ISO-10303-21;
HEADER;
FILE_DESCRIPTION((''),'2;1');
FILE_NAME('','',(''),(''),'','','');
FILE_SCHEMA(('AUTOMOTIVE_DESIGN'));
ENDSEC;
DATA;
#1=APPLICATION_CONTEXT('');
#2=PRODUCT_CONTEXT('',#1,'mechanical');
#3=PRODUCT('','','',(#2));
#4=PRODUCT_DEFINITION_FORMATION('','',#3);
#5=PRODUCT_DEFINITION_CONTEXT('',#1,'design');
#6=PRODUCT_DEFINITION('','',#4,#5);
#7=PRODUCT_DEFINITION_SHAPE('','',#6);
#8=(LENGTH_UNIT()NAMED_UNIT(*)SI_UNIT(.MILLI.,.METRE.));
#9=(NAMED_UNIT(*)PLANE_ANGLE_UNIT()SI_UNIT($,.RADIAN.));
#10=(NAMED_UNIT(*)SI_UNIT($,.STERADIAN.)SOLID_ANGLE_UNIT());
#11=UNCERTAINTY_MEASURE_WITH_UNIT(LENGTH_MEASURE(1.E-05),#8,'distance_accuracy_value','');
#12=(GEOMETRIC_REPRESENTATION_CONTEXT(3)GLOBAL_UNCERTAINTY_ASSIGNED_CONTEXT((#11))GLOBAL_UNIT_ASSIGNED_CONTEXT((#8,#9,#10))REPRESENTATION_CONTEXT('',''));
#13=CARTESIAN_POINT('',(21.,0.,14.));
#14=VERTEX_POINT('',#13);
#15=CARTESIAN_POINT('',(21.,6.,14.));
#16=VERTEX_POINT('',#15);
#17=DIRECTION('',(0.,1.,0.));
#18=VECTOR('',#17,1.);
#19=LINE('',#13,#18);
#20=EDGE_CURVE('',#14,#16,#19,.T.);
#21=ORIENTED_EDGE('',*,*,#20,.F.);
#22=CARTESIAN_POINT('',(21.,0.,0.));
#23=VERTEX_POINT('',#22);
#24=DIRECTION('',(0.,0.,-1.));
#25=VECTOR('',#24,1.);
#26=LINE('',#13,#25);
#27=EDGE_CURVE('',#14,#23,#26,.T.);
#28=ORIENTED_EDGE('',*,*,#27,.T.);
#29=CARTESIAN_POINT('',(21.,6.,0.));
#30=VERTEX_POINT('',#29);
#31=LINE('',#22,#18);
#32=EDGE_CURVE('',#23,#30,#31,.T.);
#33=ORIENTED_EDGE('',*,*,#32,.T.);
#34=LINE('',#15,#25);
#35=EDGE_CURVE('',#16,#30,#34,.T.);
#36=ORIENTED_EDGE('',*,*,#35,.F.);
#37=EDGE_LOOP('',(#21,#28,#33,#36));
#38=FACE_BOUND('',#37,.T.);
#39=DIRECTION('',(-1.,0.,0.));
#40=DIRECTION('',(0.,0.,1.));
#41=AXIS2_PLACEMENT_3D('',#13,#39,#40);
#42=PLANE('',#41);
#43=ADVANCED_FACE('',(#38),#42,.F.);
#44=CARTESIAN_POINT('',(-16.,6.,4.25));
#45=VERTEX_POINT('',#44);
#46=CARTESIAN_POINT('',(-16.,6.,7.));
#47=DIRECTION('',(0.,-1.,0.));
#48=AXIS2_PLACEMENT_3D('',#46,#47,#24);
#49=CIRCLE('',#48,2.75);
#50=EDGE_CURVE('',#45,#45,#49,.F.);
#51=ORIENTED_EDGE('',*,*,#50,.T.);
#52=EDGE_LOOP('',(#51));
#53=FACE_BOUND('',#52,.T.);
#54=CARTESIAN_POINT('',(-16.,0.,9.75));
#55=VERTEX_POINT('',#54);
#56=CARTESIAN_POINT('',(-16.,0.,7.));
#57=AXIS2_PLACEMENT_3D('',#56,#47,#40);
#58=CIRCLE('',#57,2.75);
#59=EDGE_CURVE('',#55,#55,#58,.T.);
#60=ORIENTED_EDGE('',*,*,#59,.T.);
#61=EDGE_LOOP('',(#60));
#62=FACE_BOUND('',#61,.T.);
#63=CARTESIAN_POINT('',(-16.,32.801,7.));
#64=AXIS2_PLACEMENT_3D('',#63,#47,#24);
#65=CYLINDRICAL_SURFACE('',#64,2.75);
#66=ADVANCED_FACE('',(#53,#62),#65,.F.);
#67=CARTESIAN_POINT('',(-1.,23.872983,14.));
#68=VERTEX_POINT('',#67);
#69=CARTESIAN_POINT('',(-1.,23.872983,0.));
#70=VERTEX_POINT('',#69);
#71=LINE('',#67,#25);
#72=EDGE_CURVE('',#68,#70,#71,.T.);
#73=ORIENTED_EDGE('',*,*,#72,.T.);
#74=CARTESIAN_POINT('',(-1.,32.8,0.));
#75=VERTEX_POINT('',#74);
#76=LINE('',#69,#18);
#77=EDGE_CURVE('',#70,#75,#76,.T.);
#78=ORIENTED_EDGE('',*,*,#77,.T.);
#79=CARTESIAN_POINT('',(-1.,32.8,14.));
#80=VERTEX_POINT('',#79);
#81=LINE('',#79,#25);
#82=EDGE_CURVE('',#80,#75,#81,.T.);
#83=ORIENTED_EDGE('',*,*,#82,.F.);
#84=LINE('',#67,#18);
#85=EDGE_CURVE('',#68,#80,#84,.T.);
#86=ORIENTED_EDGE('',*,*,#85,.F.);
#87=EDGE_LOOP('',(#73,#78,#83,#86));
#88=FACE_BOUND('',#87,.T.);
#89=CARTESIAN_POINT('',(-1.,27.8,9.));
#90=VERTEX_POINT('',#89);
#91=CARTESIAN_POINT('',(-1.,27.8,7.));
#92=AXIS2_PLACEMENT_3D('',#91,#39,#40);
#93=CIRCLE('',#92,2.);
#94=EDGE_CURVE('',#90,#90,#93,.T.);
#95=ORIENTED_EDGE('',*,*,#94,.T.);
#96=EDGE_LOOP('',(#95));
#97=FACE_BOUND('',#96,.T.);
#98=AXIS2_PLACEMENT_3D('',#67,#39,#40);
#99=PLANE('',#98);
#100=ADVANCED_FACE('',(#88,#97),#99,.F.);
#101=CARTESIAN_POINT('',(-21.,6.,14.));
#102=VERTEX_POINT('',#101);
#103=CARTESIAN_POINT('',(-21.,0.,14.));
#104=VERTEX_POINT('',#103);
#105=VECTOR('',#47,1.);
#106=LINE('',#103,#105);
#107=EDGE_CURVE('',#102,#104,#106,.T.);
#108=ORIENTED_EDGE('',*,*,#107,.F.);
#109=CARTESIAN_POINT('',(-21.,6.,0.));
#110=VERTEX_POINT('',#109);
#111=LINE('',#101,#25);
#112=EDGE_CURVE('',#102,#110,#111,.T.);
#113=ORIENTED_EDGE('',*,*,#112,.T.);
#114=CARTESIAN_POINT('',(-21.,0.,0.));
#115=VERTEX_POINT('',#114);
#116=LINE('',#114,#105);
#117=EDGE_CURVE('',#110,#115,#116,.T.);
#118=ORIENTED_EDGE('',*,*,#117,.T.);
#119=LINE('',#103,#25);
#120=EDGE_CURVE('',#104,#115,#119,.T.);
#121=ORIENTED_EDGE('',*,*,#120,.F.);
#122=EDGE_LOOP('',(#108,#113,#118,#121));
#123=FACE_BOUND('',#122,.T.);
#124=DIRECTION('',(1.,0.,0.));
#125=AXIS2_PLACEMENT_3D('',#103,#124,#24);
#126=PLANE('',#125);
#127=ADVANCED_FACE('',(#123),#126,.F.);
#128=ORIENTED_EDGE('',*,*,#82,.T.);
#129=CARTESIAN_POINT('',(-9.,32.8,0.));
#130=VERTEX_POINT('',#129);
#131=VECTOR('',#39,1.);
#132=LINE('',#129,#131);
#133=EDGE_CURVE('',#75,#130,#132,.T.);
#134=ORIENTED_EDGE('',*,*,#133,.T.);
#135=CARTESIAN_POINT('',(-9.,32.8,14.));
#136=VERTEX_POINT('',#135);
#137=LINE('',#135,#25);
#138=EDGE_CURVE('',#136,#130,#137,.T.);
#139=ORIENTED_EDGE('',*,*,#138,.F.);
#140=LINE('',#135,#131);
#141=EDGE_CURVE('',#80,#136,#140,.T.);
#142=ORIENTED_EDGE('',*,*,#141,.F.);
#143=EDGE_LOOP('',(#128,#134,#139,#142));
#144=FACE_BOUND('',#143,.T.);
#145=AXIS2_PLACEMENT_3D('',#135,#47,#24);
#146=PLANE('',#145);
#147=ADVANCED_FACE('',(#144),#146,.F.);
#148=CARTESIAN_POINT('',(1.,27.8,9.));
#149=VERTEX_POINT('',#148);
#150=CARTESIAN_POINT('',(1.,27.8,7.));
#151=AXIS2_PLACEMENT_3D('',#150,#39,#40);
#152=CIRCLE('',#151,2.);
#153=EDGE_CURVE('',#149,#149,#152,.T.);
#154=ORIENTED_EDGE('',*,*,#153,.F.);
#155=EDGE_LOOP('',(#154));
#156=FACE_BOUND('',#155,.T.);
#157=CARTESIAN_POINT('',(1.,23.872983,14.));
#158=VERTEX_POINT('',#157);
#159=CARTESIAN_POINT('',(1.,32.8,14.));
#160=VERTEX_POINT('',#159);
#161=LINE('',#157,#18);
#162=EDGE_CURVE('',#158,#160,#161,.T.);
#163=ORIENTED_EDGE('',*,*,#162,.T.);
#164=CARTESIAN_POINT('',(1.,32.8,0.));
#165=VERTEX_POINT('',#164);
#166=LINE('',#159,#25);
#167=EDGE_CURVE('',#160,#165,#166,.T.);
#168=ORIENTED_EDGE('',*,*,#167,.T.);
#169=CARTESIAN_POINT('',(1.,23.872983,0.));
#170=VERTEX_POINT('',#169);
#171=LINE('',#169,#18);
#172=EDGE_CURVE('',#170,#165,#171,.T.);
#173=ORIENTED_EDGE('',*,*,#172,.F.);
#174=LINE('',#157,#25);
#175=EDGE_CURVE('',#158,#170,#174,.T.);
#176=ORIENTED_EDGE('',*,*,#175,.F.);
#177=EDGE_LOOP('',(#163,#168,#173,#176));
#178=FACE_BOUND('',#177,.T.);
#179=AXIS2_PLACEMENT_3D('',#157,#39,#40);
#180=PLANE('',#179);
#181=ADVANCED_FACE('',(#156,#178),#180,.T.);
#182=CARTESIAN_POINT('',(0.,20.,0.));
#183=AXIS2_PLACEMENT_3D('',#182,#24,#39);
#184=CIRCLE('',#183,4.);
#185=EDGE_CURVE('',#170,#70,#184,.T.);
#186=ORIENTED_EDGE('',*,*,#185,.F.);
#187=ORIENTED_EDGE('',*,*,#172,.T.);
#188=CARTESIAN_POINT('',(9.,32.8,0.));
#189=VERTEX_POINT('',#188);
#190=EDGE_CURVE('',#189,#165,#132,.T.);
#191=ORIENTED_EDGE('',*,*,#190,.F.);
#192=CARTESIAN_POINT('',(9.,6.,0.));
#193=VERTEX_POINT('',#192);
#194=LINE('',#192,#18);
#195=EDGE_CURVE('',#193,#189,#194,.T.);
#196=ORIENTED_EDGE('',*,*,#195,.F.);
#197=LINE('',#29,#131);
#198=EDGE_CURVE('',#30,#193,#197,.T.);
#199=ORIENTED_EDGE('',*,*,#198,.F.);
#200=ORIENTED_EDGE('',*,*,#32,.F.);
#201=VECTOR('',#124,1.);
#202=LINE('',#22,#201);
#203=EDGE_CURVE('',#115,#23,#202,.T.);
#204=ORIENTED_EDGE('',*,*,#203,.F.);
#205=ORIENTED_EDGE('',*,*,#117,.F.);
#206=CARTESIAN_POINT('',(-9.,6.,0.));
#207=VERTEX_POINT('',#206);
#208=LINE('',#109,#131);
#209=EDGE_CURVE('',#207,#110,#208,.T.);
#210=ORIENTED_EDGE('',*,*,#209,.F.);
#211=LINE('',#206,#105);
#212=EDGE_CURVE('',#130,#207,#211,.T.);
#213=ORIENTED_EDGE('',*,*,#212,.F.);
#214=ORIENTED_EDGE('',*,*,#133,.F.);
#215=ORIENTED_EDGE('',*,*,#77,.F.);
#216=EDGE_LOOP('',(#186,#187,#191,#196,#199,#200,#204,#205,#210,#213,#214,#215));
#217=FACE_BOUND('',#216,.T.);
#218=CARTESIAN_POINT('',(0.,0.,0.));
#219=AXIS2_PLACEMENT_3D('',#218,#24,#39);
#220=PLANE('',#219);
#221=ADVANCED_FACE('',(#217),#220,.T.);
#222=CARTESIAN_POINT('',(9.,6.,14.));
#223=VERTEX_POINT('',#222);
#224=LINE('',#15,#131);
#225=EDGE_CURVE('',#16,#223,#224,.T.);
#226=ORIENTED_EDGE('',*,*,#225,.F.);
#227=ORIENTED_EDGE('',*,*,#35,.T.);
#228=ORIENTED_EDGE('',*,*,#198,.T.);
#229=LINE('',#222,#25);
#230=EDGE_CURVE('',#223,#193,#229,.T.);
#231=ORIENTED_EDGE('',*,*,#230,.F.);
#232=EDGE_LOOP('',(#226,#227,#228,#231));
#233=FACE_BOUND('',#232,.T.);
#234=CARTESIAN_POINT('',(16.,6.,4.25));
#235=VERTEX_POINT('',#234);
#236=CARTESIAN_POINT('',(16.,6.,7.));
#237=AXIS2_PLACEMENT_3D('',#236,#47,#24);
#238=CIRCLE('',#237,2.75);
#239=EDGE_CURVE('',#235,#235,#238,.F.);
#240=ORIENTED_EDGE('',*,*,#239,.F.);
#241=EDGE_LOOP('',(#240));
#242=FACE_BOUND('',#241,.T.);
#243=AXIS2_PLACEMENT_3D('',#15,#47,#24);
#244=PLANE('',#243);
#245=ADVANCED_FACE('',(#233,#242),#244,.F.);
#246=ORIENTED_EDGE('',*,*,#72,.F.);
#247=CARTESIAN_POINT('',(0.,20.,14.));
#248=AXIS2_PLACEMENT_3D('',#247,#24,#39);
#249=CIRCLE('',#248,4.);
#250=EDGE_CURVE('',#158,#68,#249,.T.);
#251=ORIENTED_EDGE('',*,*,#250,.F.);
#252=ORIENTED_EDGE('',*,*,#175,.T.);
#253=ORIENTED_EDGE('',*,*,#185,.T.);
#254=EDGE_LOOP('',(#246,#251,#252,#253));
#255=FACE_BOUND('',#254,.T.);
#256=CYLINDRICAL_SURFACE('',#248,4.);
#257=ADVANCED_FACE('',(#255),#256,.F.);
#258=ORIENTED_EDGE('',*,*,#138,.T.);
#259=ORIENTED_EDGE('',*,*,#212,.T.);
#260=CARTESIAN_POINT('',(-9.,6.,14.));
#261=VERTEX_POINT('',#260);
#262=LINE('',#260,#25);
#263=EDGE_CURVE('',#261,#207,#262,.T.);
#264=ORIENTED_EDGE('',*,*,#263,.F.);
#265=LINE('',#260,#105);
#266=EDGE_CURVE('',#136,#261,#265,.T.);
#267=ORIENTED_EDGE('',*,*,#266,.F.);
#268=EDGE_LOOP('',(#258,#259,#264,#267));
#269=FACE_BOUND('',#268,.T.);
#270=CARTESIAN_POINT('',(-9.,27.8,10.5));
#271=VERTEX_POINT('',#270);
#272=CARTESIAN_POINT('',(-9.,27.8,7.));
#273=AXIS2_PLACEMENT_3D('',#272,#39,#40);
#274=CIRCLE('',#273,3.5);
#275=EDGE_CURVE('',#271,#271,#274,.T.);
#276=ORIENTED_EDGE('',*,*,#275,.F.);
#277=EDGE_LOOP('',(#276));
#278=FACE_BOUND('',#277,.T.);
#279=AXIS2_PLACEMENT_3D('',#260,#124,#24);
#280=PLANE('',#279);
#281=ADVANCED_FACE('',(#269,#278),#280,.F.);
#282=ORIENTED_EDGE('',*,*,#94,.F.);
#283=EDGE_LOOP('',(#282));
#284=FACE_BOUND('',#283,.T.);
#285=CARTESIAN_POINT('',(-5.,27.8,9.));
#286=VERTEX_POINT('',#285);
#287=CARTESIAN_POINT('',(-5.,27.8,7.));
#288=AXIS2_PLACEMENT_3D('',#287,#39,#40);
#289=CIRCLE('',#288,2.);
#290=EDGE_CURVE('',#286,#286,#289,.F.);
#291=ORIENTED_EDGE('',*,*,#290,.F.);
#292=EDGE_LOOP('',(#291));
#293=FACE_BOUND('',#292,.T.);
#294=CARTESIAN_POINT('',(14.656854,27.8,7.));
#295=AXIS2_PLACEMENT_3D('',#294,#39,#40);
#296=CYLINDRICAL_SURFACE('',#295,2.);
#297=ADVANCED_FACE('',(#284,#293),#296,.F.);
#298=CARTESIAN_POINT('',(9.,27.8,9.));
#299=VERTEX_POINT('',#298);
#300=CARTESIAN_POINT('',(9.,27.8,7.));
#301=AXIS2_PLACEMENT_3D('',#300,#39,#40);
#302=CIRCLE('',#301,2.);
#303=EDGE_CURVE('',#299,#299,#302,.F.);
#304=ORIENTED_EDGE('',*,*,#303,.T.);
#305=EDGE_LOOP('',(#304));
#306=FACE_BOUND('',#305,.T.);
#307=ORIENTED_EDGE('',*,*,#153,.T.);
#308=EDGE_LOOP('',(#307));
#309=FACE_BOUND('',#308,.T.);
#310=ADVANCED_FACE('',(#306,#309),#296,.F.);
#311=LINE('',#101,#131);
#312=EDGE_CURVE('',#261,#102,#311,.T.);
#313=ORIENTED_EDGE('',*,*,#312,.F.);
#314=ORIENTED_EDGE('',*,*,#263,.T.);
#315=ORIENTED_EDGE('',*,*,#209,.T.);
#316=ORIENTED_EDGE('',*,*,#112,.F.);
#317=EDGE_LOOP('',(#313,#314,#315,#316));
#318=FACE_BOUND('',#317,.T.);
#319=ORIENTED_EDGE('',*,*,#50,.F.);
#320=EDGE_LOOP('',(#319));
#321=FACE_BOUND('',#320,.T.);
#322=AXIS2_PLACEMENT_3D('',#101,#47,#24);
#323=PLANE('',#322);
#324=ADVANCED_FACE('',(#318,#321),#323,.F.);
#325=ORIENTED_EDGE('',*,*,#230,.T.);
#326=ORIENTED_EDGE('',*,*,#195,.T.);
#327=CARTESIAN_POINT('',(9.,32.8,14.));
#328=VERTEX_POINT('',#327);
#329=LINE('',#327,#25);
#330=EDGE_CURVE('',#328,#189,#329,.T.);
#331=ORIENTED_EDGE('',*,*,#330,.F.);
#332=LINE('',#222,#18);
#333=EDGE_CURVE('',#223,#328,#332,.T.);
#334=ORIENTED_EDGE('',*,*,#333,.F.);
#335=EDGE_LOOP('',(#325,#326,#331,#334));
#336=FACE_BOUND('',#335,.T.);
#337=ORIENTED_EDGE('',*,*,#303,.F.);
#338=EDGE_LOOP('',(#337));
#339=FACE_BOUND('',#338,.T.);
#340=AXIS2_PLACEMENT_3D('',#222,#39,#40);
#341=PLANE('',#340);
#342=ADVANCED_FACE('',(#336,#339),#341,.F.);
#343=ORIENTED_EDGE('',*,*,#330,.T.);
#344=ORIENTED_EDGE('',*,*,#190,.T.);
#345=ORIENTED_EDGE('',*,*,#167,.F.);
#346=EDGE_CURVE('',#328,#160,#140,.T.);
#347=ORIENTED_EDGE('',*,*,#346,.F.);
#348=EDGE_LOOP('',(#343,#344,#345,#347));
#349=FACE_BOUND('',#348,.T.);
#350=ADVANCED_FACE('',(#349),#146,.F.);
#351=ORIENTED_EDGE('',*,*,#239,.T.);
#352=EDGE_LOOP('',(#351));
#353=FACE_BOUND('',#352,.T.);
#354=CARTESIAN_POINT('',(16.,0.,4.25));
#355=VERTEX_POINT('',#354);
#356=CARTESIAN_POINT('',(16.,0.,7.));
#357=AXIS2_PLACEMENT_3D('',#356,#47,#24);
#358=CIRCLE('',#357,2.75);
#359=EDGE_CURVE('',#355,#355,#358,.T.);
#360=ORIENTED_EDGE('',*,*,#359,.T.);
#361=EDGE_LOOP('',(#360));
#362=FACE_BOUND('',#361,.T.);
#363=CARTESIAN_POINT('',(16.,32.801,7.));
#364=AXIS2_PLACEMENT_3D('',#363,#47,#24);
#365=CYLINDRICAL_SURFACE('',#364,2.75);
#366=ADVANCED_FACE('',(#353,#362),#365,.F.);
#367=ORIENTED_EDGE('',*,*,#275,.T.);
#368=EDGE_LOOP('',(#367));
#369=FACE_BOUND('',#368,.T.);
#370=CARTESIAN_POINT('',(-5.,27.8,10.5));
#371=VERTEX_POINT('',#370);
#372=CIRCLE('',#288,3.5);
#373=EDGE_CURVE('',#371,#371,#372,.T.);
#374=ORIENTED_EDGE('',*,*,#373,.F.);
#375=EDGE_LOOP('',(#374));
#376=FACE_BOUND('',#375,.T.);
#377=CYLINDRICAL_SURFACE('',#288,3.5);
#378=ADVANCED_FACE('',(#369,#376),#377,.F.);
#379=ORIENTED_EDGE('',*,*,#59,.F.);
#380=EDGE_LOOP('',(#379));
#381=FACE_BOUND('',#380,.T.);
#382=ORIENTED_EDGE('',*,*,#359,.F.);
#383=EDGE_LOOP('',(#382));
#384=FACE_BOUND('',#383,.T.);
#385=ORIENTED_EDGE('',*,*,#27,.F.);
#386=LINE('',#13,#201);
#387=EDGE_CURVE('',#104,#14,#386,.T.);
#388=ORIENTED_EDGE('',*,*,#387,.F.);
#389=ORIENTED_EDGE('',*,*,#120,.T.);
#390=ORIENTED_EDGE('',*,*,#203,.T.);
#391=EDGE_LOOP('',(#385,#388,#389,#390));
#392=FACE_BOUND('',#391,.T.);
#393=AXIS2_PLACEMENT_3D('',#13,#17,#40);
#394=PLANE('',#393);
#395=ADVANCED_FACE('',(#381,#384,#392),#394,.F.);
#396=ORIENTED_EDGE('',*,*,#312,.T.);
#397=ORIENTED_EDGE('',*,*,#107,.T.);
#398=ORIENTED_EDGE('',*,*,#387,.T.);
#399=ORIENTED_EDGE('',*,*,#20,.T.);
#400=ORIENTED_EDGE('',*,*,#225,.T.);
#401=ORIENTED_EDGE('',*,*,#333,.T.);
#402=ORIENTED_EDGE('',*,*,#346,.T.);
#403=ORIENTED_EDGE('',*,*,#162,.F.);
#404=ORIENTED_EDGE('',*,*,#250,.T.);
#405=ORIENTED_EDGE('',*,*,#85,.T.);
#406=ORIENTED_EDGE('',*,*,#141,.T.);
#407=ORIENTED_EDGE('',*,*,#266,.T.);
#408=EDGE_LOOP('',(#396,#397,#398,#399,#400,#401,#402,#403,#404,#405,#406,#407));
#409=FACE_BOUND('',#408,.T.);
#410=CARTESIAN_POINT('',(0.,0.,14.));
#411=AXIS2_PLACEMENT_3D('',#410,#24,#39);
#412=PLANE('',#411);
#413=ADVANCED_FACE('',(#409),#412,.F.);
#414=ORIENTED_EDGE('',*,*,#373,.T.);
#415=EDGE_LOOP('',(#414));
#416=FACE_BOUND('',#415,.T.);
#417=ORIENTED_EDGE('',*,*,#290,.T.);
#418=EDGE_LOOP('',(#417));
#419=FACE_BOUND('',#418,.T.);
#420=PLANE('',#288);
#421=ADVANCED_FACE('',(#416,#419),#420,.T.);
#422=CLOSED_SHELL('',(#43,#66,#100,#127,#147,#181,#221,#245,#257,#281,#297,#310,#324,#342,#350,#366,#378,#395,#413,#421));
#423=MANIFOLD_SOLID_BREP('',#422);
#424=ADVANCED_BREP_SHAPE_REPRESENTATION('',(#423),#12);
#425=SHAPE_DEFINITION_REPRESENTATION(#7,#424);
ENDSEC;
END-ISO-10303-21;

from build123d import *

# Parameters (mm, degrees)
EXTRUDE_1_DEPTH     = 14
SKETCH_2_R          = 4
SKETCH_2_W          = 2
SKETCH_2_H          = 8.927016654
CUT_EXTRUDE_2_DEPTH = 14
CUT_EXTRUDE_3_REACH = 34.8
SKETCH_4_R          = 2.75
SKETCH_5_R          = 2
CUT_EXTRUDE_4_DEPTH = 18
SKETCH_6_R          = 3.5
CUT_EXTRUDE_5_DEPTH = 4


with BuildPart() as part:
    # 草图1 → 凸台-拉伸1 (new body)
    with BuildSketch(Plane.XY):
        Polygon((21, 0), (-21, 0), (-21, 6), (-9, 6), (-9, 32.8), (9, 32.8), (9, 6), (21, 6), align=None)
    extrude(amount=EXTRUDE_1_DEPTH)

    # 草图2 → 切除-拉伸2 (cut)
    with BuildSketch(Plane(origin=(0, 0, 0), x_dir=(-1, 0, 0), z_dir=(0, 0, -1))):
        with Locations((0, 20)):
            Circle(SKETCH_2_R)
        with Locations((0, 28.336491673)):
            Rectangle(SKETCH_2_W, SKETCH_2_H)
    extrude(amount=-CUT_EXTRUDE_2_DEPTH, mode=Mode.SUBTRACT)

    # 草图4 → 切除-拉伸3 (cut, up to next)
    with BuildSketch(Plane.XZ, mode=Mode.PRIVATE) as cut_extrude_3_sk1:
        with Locations((16, 7)):
            Circle(SKETCH_4_R)
    cut_extrude_3_tool1 = extrude(cut_extrude_3_sk1.sketch, amount=-CUT_EXTRUDE_3_REACH, mode=Mode.PRIVATE) & part.part
    add(cut_extrude_3_tool1.solids().sort_by_distance((16, 0, 7))[0], mode=Mode.SUBTRACT)
    # 草图4 → 切除-拉伸3 (cut, up to next)
    with BuildSketch(Plane.XZ, mode=Mode.PRIVATE) as cut_extrude_3_sk2:
        with Locations((-16, 7)):
            Circle(SKETCH_4_R)
    cut_extrude_3_tool2 = extrude(cut_extrude_3_sk2.sketch, amount=-CUT_EXTRUDE_3_REACH, mode=Mode.PRIVATE) & part.part
    add(cut_extrude_3_tool2.solids().sort_by_distance((-16, 0, 7))[0], mode=Mode.SUBTRACT)

    # 草图5 → 切除-拉伸4 (cut)
    with BuildSketch(Plane.ZY.offset(9)):
        with Locations((7, 27.8)):
            Circle(SKETCH_5_R)
    extrude(amount=-CUT_EXTRUDE_4_DEPTH, mode=Mode.SUBTRACT)

    # 草图6 → 切除-拉伸5 (cut)
    with BuildSketch(Plane.ZY.offset(9)):
        with Locations((7, 27.8)):
            Circle(SKETCH_6_R)
    extrude(amount=-CUT_EXTRUDE_5_DEPTH, mode=Mode.SUBTRACT)


solid = part.part
